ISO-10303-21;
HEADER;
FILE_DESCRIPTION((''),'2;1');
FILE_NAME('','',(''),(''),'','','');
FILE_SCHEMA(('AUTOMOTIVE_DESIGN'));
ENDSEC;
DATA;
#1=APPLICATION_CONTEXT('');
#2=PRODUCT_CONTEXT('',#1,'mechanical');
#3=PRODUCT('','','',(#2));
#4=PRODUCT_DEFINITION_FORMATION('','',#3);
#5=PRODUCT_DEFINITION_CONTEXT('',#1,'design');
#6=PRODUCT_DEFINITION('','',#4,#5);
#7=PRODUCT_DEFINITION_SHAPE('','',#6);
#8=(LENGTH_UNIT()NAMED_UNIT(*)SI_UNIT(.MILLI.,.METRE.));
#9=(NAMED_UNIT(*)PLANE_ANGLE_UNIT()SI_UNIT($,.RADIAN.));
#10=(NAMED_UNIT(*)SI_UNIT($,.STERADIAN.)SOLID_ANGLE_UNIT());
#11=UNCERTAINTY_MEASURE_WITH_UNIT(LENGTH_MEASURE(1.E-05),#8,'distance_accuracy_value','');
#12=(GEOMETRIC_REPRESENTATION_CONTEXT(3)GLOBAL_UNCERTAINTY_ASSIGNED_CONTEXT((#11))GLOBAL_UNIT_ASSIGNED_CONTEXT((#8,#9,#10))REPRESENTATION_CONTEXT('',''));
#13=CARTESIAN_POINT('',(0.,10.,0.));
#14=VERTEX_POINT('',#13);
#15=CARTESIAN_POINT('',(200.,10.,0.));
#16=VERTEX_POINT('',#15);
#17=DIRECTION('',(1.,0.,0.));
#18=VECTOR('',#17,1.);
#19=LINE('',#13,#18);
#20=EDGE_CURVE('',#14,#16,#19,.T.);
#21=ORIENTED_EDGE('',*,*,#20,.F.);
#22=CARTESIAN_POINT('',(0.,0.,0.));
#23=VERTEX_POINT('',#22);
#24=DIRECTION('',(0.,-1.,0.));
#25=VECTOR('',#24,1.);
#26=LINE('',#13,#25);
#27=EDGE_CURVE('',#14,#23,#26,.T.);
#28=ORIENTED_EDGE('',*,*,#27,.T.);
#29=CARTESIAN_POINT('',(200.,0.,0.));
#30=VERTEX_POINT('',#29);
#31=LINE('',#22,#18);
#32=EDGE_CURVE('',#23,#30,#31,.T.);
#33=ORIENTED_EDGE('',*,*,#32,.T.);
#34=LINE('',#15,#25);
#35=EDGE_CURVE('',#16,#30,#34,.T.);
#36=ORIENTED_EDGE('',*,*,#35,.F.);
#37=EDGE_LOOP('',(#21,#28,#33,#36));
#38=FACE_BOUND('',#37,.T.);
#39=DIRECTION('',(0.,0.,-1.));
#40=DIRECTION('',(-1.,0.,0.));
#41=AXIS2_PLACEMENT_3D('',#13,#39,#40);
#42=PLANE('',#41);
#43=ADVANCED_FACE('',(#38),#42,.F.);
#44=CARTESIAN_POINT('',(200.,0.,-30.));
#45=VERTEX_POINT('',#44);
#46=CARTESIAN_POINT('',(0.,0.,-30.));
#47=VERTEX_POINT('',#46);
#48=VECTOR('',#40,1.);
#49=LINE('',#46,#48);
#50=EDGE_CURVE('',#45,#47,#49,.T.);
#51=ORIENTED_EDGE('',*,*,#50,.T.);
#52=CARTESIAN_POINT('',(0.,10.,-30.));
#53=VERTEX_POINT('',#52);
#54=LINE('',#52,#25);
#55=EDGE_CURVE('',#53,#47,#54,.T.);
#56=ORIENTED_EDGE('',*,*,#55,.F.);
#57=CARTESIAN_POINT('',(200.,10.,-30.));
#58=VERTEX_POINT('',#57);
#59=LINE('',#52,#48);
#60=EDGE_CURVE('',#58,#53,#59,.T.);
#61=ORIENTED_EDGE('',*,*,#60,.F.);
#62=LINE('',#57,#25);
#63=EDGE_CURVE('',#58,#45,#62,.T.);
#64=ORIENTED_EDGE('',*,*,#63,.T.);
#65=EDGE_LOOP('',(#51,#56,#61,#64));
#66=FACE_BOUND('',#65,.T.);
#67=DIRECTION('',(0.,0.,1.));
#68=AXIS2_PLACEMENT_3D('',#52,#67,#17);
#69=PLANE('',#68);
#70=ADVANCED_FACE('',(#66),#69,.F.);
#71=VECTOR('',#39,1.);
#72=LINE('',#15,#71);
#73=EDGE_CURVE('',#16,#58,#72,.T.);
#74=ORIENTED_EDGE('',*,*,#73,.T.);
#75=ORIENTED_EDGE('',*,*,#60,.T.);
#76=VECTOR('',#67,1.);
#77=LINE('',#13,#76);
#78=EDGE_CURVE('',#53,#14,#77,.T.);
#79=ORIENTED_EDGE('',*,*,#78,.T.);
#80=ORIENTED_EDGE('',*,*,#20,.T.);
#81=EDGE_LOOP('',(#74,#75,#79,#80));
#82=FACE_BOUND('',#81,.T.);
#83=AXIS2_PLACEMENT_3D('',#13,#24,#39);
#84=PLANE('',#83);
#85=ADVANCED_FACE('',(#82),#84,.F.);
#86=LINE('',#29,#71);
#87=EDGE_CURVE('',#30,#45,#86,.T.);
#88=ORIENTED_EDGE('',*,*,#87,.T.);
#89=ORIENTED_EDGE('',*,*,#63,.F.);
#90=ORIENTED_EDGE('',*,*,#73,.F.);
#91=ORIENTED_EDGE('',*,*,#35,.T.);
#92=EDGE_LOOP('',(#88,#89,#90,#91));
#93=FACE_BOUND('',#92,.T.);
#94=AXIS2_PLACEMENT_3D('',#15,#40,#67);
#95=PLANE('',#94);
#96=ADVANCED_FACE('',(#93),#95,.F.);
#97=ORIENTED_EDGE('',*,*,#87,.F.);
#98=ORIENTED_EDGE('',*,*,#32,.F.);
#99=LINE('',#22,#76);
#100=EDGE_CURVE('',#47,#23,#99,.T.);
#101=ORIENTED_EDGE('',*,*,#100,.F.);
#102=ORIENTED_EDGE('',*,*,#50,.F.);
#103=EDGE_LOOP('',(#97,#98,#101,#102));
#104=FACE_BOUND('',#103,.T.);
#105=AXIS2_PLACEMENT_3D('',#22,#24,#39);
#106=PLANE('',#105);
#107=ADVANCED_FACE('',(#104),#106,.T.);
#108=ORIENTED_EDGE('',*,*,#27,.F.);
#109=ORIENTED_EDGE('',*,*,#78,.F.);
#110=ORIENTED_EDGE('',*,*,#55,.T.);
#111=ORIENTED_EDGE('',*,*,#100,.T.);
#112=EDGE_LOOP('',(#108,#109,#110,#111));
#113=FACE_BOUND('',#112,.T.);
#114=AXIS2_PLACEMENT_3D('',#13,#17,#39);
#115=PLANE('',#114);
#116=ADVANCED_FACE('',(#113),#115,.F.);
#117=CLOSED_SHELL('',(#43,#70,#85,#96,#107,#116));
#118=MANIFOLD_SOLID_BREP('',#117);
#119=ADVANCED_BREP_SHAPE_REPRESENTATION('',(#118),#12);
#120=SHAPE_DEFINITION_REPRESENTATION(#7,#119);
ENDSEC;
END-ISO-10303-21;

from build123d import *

# Parameters (mm, degrees)
SKETCH1_W           = 200
SKETCH1_H           = 30
BOSS_EXTRUDE1_DEPTH = 10


with BuildPart() as part:
    # Sketch1 → Boss-Extrude1 (new body)
    with BuildSketch(Plane(origin=(0, 0, 0), x_dir=(1, 0, 0), z_dir=(0, 1, 0))):
        with Locations((100, 15)):
            Rectangle(SKETCH1_W, SKETCH1_H)
    extrude(amount=BOSS_EXTRUDE1_DEPTH)


solid = part.part
